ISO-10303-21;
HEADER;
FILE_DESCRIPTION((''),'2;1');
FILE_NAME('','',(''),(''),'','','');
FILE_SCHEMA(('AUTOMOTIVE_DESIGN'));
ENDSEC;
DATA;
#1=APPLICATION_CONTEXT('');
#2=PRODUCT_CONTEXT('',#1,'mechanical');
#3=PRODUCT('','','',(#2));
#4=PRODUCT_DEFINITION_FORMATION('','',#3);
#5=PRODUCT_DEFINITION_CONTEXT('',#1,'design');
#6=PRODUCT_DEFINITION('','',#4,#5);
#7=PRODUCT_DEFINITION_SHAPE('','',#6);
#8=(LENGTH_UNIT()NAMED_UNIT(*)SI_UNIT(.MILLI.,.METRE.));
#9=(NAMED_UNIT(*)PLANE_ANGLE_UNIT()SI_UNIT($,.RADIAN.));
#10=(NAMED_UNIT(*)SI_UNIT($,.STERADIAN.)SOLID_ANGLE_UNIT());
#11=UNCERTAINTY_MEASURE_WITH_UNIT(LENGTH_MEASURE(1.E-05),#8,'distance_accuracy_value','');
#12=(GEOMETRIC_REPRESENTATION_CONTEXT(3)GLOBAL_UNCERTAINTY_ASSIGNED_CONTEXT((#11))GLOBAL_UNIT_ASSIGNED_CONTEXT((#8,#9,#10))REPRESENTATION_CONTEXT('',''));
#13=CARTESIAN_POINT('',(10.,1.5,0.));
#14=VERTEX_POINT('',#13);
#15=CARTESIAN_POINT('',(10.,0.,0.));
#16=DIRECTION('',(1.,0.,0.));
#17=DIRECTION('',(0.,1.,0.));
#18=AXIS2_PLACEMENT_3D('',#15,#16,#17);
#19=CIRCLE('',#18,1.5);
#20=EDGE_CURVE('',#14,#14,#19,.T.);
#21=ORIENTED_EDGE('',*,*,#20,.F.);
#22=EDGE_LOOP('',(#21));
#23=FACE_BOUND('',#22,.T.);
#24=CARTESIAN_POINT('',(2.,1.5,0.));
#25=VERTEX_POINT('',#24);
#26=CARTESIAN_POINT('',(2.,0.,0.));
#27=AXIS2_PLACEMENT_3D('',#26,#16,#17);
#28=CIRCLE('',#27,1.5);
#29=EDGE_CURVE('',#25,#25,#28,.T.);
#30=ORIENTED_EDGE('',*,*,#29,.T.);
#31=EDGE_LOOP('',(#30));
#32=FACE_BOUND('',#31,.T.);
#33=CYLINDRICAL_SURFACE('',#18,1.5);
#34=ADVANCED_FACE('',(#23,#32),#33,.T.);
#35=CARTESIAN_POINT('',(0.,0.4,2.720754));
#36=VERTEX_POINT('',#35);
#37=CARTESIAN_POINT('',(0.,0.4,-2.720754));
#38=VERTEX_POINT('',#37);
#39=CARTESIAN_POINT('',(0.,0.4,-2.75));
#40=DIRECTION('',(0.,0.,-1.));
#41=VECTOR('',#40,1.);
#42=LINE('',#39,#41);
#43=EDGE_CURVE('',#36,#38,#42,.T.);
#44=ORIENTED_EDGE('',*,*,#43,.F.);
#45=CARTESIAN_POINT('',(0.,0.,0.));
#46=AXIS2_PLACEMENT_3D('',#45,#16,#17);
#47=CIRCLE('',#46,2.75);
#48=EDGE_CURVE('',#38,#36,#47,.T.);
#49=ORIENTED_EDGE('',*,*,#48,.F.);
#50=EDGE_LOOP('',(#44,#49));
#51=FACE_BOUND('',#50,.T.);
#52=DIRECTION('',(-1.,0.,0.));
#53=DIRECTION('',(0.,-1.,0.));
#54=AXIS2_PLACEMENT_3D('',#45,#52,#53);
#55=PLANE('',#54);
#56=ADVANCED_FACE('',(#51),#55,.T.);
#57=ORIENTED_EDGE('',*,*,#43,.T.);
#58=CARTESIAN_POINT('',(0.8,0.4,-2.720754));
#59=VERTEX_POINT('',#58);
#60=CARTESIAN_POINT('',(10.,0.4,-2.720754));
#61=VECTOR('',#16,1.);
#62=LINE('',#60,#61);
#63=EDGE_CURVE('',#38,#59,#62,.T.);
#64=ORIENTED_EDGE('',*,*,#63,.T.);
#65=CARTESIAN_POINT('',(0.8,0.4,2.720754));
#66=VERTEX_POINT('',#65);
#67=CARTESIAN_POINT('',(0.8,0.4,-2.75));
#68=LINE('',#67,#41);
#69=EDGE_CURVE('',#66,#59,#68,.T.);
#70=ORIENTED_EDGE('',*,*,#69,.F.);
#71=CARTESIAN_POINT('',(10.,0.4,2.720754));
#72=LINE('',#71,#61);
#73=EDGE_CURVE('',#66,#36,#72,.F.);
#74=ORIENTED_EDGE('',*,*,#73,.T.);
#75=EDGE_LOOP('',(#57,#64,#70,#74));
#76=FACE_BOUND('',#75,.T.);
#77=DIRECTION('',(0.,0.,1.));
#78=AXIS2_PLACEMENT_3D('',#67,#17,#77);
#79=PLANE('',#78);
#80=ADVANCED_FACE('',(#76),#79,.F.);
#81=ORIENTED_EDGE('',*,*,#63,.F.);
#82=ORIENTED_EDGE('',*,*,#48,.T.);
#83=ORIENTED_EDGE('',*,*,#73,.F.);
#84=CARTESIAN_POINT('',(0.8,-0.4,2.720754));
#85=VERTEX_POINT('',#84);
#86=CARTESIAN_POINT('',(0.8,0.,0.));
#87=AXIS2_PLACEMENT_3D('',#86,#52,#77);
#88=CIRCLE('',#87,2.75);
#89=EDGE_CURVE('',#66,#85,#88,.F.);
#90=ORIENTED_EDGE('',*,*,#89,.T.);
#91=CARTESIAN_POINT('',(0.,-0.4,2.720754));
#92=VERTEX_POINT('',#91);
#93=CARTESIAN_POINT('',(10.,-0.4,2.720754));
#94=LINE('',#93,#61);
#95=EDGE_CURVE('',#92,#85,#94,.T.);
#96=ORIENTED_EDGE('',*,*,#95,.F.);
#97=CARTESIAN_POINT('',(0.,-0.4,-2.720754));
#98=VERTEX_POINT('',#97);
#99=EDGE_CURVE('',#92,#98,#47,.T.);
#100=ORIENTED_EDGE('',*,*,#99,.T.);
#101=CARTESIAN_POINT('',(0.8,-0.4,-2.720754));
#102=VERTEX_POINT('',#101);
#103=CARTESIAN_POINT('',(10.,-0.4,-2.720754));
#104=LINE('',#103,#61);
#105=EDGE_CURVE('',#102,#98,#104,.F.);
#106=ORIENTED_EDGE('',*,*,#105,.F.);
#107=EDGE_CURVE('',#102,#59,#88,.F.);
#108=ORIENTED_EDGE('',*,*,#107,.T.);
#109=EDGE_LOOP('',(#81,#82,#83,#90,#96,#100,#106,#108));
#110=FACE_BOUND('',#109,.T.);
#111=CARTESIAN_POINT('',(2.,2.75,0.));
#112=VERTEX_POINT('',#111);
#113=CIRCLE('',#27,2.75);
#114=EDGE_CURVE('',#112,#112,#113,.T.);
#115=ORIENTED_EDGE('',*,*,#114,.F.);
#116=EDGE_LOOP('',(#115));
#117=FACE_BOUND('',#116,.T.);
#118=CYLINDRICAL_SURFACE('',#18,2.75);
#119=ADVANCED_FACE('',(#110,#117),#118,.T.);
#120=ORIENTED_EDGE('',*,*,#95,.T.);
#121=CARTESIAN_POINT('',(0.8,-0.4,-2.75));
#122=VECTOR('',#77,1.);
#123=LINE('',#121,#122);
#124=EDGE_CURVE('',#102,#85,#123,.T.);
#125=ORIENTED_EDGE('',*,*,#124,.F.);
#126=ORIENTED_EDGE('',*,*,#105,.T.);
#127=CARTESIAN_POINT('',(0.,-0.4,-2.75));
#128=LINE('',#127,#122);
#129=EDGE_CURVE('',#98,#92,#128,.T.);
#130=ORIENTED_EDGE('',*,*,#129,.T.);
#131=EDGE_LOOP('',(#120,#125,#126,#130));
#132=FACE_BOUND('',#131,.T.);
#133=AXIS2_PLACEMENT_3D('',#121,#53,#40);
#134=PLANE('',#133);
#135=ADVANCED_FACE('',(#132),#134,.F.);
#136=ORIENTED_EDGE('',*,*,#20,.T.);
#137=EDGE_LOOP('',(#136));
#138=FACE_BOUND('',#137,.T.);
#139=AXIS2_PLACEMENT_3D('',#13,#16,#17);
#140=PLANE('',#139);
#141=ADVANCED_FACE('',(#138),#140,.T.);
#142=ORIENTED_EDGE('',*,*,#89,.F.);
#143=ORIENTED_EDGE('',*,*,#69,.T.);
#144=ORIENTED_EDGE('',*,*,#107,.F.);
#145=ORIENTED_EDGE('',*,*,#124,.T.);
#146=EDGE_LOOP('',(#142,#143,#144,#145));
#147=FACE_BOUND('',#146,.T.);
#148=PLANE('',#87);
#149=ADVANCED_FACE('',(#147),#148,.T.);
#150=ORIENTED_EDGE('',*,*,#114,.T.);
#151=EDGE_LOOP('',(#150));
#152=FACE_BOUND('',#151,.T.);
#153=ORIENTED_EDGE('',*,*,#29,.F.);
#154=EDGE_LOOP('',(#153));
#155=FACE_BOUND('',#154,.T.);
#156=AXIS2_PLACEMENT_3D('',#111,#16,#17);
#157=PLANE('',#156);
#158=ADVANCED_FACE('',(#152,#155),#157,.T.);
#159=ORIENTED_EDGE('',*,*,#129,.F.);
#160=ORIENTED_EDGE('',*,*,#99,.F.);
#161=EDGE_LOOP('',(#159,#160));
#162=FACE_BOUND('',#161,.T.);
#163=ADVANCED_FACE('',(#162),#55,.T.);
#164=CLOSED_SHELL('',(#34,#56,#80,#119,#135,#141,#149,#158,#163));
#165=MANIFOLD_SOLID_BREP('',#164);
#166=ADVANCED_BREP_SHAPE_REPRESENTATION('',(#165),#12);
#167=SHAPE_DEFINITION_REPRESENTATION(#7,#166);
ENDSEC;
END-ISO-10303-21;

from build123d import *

# Parameters (mm, degrees)
SKETCH2_W          = 5.5
SKETCH2_H          = 0.8
CUT_EXTRUDE1_DEPTH = 0.8


with BuildPart() as part:
    # Sketch1 → Revolve1 (revolve)
    with BuildSketch(Plane.XY):
        Polygon((0, 0), (0, 2.75), (2, 2.75), (2, 1.5), (10, 1.5), (10, 0), align=None)
    revolve(axis=Axis((10, 0, 0), (-1, 0, 0)))

    # Sketch2 → Cut-Extrude1 (cut)
    with BuildSketch(Plane.ZY):
        Rectangle(SKETCH2_W, SKETCH2_H)
    extrude(amount=-CUT_EXTRUDE1_DEPTH, mode=Mode.SUBTRACT)


solid = part.part
